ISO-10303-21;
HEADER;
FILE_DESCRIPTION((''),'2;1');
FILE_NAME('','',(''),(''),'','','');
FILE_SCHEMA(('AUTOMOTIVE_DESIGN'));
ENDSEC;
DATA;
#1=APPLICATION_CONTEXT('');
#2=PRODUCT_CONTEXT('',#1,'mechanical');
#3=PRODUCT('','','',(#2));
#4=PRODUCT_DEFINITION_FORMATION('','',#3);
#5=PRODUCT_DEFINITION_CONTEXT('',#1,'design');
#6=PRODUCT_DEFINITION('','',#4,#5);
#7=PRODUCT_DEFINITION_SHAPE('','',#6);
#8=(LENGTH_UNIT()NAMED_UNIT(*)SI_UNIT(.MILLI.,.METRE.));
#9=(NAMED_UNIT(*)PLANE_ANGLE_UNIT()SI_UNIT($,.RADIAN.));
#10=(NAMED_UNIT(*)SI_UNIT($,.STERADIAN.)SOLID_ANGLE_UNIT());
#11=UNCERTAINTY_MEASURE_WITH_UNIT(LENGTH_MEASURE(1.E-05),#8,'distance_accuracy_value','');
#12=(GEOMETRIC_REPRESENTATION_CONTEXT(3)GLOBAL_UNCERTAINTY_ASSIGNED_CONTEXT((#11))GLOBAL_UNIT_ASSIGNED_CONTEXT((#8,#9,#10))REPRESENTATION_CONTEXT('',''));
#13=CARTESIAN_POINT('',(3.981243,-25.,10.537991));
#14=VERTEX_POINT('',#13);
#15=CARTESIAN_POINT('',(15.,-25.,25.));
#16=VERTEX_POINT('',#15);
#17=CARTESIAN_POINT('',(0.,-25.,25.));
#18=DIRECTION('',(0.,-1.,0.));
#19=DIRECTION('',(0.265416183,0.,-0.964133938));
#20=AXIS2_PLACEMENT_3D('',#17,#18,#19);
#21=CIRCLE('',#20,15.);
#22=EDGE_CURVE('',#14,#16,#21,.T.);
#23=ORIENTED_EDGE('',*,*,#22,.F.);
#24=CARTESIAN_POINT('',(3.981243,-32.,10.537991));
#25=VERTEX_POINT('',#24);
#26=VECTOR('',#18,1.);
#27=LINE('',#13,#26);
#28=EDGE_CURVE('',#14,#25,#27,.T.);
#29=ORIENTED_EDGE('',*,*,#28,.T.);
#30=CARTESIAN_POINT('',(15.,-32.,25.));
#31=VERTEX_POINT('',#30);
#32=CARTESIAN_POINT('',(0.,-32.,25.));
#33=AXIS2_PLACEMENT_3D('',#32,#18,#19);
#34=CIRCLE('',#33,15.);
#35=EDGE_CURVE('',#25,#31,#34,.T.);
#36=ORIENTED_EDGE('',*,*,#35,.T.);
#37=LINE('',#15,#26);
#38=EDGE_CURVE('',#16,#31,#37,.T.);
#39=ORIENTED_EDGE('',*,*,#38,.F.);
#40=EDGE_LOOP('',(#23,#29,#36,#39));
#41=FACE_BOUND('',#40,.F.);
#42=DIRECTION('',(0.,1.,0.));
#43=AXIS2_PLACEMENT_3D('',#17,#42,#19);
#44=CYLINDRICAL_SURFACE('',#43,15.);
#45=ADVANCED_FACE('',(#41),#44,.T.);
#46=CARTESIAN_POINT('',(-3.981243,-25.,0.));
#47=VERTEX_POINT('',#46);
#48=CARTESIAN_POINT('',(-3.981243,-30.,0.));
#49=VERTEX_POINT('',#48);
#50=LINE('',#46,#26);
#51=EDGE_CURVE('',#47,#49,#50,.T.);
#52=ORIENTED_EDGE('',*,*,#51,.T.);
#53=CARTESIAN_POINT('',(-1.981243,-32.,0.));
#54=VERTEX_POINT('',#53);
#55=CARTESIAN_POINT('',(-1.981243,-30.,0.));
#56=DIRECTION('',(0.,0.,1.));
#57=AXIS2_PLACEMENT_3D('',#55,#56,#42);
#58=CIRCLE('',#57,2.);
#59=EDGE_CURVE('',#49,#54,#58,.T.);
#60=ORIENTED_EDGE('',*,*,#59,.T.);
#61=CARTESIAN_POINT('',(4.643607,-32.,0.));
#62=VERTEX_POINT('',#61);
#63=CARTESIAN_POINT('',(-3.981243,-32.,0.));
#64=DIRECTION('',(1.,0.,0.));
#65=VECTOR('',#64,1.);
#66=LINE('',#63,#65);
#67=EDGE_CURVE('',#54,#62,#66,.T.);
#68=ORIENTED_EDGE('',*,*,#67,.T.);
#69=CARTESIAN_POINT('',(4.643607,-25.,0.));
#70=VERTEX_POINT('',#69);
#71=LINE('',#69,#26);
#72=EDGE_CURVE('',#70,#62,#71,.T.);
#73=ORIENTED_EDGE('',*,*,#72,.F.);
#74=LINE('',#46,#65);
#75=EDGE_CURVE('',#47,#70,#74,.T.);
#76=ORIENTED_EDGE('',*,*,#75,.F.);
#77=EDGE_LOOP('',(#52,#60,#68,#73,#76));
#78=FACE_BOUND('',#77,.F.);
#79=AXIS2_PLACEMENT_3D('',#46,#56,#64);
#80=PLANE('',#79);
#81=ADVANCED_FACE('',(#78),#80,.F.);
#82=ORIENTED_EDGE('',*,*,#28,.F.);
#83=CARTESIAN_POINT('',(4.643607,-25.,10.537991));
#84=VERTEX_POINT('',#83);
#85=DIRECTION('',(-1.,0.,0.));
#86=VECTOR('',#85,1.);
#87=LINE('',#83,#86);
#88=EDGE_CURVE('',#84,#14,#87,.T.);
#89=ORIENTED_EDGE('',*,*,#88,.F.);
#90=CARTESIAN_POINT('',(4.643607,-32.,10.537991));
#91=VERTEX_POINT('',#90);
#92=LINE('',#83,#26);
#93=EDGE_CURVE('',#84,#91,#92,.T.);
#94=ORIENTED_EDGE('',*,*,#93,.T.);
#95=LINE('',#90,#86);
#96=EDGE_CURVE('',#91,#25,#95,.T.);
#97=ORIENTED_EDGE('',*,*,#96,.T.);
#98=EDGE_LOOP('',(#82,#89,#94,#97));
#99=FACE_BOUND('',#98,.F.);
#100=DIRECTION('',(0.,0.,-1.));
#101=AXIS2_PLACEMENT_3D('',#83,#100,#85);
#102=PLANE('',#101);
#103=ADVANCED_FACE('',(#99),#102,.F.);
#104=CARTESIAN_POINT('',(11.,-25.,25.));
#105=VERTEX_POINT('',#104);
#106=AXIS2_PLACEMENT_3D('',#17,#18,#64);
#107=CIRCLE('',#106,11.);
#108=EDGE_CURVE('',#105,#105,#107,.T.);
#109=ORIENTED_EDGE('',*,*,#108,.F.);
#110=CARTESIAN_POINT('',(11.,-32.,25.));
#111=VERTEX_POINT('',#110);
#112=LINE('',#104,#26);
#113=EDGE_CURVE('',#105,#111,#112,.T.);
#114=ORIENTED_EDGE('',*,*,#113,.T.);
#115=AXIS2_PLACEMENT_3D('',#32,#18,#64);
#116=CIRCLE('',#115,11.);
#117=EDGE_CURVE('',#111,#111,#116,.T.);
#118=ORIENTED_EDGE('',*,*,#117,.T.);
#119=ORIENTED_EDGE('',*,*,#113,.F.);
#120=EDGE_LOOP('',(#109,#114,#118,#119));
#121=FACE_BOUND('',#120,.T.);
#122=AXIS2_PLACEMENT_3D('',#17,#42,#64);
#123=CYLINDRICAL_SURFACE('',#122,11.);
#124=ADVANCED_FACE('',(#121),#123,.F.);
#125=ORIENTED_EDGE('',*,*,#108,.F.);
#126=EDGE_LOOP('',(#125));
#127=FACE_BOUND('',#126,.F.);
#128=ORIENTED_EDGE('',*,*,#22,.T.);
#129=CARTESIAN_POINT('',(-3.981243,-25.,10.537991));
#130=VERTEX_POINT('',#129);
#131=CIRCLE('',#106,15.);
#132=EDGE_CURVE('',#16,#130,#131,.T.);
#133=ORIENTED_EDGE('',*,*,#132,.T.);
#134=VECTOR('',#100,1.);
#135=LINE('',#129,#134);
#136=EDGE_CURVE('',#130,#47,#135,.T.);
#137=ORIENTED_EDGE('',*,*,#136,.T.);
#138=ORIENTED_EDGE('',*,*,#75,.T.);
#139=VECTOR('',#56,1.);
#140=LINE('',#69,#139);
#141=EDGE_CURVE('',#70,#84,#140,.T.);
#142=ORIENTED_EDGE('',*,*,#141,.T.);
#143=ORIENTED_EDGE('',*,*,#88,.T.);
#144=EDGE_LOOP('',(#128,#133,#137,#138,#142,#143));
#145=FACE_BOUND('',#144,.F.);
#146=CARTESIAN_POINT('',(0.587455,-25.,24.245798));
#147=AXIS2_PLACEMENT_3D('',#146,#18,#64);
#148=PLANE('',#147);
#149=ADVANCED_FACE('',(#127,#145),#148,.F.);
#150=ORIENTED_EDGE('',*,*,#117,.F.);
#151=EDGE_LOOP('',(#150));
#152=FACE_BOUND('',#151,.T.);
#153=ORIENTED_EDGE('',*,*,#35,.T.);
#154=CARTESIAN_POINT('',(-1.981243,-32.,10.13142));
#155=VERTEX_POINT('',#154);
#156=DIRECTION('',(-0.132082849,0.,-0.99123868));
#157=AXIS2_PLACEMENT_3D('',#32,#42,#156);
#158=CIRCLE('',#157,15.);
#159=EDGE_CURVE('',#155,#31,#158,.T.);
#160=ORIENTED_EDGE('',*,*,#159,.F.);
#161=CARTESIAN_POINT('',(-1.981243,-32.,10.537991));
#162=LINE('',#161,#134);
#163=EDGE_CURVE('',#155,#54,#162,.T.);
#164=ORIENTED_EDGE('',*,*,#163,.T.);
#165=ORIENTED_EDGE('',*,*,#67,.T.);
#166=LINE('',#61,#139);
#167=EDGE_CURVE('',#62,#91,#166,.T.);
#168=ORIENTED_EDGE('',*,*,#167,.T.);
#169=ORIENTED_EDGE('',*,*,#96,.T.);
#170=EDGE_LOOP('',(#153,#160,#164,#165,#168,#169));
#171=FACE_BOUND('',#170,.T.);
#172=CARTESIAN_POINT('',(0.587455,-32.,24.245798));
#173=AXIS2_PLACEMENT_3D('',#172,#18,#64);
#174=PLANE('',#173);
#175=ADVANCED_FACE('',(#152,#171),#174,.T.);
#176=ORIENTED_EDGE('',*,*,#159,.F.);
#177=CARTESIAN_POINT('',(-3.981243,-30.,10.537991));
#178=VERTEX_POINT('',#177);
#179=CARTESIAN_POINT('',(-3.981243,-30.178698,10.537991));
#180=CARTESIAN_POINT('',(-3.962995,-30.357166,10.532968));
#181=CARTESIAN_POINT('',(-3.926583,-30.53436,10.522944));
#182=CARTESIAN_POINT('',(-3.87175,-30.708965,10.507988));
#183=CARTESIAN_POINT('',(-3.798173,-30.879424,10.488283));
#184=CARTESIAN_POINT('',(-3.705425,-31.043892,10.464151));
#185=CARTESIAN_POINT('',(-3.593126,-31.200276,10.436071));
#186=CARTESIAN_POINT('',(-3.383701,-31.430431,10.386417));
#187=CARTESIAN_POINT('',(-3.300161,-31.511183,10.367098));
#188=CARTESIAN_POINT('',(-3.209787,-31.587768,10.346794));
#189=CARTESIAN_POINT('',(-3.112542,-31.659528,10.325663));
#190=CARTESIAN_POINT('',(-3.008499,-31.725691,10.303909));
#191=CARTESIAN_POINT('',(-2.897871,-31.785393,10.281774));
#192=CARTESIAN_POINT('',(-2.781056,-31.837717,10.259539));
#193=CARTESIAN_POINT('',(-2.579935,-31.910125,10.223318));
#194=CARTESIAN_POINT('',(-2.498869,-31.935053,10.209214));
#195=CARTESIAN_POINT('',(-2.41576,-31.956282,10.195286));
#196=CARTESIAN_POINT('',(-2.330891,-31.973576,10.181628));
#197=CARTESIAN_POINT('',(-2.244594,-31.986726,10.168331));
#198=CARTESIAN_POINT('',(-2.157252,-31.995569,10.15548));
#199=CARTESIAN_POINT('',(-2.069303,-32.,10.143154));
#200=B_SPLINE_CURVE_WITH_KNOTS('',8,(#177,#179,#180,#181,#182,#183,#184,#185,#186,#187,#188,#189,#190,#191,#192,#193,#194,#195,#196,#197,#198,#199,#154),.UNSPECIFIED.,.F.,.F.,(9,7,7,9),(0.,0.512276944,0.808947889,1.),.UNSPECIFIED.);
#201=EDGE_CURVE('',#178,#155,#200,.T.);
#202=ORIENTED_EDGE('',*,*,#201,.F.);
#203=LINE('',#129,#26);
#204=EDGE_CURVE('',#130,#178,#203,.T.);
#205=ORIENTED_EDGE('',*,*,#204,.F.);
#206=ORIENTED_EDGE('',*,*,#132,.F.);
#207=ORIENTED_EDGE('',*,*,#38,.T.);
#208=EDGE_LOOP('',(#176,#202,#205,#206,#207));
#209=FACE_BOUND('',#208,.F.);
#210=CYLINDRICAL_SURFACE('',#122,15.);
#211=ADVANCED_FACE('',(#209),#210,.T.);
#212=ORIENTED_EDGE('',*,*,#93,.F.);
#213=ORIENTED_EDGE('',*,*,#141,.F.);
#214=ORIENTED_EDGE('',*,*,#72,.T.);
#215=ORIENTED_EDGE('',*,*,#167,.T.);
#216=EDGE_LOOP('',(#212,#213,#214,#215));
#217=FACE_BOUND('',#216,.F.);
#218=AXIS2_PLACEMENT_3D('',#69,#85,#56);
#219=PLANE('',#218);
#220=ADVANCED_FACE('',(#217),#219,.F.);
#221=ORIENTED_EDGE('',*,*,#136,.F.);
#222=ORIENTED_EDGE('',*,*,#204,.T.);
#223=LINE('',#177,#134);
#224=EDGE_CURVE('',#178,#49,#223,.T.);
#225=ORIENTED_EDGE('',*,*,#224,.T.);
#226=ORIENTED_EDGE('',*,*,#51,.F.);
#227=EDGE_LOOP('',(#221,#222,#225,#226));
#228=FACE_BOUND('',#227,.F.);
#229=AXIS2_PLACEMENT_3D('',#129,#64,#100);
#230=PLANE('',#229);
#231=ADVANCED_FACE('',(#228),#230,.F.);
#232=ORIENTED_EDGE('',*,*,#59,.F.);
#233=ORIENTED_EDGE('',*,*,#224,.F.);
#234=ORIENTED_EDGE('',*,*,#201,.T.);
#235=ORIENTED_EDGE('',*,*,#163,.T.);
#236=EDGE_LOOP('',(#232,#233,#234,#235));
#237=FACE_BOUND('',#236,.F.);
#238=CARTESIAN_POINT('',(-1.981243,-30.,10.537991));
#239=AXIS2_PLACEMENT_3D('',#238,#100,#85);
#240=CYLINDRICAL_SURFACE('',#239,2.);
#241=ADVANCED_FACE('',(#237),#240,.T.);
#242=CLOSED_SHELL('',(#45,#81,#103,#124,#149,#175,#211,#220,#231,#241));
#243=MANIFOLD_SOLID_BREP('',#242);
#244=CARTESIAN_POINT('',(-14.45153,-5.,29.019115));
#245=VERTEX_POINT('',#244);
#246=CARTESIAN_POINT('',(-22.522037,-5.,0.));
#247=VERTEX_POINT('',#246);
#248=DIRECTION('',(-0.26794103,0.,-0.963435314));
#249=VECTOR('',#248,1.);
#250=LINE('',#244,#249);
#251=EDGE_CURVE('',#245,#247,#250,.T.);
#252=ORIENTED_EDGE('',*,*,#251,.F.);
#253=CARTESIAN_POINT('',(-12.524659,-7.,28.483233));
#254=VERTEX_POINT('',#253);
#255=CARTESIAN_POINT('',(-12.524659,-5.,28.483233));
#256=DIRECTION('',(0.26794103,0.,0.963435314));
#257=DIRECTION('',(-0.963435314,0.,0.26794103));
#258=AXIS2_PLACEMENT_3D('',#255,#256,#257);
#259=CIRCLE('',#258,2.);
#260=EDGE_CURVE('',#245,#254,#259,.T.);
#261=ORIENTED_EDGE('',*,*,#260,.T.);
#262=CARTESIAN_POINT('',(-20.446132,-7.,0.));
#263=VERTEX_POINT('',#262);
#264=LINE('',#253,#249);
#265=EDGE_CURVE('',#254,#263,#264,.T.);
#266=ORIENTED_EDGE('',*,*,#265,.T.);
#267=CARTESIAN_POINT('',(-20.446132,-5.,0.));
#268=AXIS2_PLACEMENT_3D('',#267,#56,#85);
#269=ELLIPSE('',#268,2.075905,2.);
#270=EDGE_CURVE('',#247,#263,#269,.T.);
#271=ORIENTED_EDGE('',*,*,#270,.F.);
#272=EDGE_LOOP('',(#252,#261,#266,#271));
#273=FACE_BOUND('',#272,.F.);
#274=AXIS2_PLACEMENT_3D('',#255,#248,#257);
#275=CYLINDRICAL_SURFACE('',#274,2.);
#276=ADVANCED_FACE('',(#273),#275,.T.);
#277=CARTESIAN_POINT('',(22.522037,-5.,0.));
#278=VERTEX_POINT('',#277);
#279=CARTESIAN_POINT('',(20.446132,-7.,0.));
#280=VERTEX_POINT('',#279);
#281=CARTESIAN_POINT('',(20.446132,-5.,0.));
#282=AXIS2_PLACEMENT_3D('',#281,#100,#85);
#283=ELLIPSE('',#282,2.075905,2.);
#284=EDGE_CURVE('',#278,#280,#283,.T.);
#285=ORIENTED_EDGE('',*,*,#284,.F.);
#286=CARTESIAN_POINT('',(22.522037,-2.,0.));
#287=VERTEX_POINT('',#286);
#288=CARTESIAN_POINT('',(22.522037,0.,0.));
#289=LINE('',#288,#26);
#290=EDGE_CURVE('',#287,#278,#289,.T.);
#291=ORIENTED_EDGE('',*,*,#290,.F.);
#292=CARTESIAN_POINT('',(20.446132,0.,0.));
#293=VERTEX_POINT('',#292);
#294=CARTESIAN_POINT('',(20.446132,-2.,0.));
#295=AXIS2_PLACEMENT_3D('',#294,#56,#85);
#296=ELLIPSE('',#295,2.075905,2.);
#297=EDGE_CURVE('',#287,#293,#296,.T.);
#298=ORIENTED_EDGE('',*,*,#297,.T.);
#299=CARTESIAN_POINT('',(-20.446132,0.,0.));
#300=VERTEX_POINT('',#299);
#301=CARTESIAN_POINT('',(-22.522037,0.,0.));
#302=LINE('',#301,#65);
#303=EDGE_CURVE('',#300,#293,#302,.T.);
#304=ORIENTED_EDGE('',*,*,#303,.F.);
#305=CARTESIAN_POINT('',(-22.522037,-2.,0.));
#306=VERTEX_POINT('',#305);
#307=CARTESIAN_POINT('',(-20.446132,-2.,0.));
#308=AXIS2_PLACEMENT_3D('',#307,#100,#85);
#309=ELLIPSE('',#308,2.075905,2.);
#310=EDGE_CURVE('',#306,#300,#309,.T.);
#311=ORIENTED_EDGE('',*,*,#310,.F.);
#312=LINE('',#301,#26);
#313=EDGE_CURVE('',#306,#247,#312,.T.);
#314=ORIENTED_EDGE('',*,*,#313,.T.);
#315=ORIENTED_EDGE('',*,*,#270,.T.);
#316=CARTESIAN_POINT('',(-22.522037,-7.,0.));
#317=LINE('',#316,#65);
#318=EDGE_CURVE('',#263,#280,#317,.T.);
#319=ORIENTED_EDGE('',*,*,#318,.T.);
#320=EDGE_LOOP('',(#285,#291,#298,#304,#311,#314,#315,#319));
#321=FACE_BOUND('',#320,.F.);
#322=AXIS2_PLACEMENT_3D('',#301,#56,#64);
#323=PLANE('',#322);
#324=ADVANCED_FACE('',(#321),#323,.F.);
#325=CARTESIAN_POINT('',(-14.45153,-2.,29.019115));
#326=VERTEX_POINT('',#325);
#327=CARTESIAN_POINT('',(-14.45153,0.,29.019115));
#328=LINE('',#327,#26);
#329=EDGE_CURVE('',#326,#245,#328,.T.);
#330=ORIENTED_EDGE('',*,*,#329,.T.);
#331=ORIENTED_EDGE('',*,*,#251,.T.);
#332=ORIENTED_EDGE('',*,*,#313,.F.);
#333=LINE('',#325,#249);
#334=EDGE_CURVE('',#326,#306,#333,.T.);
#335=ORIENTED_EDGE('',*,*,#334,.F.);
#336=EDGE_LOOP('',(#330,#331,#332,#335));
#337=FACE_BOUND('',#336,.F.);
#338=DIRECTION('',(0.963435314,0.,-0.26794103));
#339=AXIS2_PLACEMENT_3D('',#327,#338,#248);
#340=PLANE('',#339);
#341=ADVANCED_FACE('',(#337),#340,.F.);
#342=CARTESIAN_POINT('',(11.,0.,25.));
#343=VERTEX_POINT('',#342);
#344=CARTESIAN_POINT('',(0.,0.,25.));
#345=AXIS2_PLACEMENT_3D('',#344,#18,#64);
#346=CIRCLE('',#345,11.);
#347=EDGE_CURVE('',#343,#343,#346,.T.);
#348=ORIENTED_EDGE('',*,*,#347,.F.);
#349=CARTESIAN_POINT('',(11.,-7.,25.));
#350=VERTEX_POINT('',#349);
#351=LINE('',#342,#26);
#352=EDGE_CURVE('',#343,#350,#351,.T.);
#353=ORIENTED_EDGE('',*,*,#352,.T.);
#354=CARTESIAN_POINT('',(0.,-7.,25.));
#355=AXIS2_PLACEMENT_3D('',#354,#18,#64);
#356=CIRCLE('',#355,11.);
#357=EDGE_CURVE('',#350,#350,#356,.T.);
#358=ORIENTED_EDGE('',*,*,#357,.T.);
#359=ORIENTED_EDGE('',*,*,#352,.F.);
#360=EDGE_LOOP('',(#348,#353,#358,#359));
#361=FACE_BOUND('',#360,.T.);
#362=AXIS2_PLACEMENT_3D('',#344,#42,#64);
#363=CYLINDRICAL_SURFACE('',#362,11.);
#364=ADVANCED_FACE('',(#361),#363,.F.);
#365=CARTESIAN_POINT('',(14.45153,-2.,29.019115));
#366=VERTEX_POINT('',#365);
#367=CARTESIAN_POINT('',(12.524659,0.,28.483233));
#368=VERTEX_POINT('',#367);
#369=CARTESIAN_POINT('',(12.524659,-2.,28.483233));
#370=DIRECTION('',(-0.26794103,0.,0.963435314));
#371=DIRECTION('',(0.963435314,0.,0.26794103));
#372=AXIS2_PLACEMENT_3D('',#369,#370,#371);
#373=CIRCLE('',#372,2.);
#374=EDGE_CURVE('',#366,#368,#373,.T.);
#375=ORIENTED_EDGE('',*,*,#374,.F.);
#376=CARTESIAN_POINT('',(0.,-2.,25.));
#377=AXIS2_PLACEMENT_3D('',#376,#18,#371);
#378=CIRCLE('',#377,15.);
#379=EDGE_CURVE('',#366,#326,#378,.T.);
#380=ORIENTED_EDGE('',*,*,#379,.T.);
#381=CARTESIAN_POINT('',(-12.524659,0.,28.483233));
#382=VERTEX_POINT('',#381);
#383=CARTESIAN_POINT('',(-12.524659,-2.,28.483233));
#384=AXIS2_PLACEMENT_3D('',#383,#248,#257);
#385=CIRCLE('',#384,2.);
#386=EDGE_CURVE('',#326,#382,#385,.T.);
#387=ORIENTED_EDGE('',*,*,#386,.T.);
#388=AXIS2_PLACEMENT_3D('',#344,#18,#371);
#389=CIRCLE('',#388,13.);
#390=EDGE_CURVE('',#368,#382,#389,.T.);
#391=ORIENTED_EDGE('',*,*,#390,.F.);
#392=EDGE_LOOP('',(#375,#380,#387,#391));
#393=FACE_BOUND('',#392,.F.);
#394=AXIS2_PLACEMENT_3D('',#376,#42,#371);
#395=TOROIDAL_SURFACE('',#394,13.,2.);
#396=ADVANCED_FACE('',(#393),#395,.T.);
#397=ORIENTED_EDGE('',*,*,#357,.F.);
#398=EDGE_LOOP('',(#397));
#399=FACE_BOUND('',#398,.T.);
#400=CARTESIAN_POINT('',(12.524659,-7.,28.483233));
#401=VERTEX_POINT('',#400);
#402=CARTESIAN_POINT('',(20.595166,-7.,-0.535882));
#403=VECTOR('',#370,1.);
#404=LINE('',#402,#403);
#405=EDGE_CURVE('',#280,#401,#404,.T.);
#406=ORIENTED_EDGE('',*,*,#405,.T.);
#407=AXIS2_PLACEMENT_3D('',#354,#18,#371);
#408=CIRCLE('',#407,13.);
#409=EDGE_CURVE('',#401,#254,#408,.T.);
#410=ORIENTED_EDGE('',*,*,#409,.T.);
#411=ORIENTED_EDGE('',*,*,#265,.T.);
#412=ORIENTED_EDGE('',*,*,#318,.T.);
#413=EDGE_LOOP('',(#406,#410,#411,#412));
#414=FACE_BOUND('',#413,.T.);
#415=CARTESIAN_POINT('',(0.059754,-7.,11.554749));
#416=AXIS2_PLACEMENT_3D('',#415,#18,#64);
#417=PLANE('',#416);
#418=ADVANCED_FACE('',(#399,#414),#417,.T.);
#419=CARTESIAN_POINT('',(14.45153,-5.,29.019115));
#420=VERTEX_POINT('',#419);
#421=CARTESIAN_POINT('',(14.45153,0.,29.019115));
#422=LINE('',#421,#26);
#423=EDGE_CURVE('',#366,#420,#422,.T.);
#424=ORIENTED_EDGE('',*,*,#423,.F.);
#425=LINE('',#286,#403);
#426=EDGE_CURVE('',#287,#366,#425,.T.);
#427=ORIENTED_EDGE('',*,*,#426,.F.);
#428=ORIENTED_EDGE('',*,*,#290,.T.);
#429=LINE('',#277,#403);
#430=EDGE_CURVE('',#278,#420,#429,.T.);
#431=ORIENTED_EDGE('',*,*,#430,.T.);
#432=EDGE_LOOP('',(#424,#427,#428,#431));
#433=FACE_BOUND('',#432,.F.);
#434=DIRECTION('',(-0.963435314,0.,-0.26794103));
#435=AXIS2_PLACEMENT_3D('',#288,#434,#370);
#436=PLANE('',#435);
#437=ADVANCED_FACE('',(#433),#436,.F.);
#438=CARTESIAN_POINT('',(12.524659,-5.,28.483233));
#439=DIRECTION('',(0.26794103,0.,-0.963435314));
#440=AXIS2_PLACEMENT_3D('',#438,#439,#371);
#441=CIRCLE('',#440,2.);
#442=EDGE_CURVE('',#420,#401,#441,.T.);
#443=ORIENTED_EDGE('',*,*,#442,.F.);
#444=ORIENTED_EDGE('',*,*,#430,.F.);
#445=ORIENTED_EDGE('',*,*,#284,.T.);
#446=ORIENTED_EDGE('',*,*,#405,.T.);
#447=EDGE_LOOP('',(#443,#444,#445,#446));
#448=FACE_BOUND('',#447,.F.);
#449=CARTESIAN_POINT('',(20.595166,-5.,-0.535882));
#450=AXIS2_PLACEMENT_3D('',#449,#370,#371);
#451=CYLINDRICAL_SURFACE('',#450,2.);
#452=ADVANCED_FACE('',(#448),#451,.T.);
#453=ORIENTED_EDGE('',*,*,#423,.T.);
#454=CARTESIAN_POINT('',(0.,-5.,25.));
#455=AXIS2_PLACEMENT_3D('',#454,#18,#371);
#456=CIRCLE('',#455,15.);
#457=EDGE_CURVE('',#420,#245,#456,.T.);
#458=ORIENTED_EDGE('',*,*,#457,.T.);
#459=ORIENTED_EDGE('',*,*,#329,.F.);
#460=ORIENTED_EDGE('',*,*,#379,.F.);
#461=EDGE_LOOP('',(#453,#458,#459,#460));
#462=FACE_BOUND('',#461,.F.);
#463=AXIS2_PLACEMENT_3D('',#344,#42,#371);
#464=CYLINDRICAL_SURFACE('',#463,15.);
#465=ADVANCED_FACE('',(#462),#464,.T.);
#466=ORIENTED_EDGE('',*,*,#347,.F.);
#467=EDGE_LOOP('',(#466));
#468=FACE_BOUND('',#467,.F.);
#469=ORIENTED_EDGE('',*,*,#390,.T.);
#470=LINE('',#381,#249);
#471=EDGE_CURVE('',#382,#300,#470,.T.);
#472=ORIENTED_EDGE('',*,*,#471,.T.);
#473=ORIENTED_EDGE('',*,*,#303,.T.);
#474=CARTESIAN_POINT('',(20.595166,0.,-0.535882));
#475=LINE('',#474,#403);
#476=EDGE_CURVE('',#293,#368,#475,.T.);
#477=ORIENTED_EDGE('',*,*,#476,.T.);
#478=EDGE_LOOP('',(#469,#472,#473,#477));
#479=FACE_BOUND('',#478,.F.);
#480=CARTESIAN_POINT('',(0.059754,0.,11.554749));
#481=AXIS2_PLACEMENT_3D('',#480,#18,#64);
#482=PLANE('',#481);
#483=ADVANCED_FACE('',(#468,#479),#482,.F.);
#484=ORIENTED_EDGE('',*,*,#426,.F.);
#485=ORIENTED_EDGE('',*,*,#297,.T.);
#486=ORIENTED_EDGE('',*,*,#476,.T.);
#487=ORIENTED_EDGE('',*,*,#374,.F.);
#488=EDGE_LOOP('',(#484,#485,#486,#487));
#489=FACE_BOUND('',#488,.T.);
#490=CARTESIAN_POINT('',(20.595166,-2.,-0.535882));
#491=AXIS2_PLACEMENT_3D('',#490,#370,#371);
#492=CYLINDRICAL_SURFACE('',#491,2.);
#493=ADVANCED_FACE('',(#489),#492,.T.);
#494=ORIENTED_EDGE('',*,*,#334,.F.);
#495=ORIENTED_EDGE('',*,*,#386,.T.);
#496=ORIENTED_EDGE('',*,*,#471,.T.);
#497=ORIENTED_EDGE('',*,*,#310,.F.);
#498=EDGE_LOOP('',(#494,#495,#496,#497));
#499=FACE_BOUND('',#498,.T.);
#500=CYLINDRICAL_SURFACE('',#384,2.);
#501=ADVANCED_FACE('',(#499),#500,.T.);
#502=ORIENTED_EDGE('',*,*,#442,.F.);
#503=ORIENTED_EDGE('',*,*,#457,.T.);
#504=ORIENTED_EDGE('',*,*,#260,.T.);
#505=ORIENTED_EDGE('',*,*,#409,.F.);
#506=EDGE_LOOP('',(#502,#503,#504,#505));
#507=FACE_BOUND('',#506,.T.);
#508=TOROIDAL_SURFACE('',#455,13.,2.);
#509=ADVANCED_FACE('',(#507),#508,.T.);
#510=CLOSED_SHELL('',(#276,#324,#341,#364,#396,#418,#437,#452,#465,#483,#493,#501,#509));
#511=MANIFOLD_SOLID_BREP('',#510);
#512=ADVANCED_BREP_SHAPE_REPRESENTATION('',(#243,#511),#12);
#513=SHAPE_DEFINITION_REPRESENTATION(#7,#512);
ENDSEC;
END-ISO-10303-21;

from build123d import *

# Parameters (mm, degrees)
F0_R     = 11
F2_DEPTH = 7
F4_R     = 11
F5_DEPTH = 7
F6_R     = 2
F6_2_R   = 2


with BuildPart() as f2:
    # F0 (on Front) → F2 (new body)
    with BuildSketch(Plane.XZ):
        with BuildLine():
            ThreePointArc((14.4515297125, 29.0191154462), (14.8622499253, 27.0281832157), (15, 25))
            ThreePointArc((15, 25), (-2.0281832157, 10.1377500747), (-14.4515297125, 29.0191154462))
            Line((-14.4515297125, 29.0191154462), (-22.5220369491, 0))
            Line((-22.5220369491, 0), (0, 0))
            Line((0, 0), (22.5220369491, 0))
            Line((22.5220369491, 0), (14.4515297125, 29.0191154462))
        make_face()
        with BuildLine():
            ThreePointArc((-14.4515297125, 29.0191154462), (-2.0281832157, 10.1377500747), (15, 25))
            ThreePointArc((15, 25), (14.8622499253, 27.0281832157), (14.4515297125, 29.0191154462))
            ThreePointArc((14.4515297125, 29.0191154462), (0, 40), (-14.4515297125, 29.0191154462))
        make_face()
        with Locations((0, 25)):
            Circle(F0_R, mode=Mode.SUBTRACT)
    extrude(amount=F2_DEPTH)

    # F6
    f6_edges = [f2.edges().sort_by_distance(p)[0] for p in [
        (-18.486783, -7, 14.509558),
        (18.486783, 0, 14.509558),
    ]]
    fillet(f6_edges, radius=F6_R)


with BuildPart() as f5:
    # F4 (on offset) → F5 (new body)
    with BuildSketch(Plane.XZ.offset(25)):
        with BuildLine():
            ThreePointArc((3.9812427399, 10.5379909333), (11.9314425175, 15.9093080873), (15, 25))
            ThreePointArc((15, 25), (-9.0906919127, 36.9314425175), (-3.9812427399, 10.5379909333))
            Line((-3.9812427399, 10.5379909333), (3.9812427399, 10.5379909333))
        make_face()
        with Locations((0, 25)):
            Circle(F4_R, mode=Mode.SUBTRACT)
        with BuildLine():
            Line((3.9812427399, 10.5379909333), (-3.9812427399, 10.5379909333))
            ThreePointArc((-3.9812427399, 10.5379909333), (0, 10), (3.9812427399, 10.5379909333))
        make_face()
        with BuildLine():
            ThreePointArc((3.9812427399, 10.5379909333), (0, 10), (-3.9812427399, 10.5379909333))
            Line((-3.9812427399, 10.5379909333), (-3.9812427399, 0))
            Line((-3.9812427399, 0), (4.6436069533, 0))
            Line((4.6436069533, 0), (4.6436069533, 10.5379909333))
            Line((4.6436069533, 10.5379909333), (3.9812427399, 10.5379909333))
        make_face()
    extrude(amount=F5_DEPTH)

    # F6#2
    f6_2_edges = [f5.edges().sort_by_distance(p)[0] for p in [
        (-3.981243, -32, 5.268995),
    ]]
    fillet(f6_2_edges, radius=F6_2_R)


solid = Compound([f2.part, f5.part])
